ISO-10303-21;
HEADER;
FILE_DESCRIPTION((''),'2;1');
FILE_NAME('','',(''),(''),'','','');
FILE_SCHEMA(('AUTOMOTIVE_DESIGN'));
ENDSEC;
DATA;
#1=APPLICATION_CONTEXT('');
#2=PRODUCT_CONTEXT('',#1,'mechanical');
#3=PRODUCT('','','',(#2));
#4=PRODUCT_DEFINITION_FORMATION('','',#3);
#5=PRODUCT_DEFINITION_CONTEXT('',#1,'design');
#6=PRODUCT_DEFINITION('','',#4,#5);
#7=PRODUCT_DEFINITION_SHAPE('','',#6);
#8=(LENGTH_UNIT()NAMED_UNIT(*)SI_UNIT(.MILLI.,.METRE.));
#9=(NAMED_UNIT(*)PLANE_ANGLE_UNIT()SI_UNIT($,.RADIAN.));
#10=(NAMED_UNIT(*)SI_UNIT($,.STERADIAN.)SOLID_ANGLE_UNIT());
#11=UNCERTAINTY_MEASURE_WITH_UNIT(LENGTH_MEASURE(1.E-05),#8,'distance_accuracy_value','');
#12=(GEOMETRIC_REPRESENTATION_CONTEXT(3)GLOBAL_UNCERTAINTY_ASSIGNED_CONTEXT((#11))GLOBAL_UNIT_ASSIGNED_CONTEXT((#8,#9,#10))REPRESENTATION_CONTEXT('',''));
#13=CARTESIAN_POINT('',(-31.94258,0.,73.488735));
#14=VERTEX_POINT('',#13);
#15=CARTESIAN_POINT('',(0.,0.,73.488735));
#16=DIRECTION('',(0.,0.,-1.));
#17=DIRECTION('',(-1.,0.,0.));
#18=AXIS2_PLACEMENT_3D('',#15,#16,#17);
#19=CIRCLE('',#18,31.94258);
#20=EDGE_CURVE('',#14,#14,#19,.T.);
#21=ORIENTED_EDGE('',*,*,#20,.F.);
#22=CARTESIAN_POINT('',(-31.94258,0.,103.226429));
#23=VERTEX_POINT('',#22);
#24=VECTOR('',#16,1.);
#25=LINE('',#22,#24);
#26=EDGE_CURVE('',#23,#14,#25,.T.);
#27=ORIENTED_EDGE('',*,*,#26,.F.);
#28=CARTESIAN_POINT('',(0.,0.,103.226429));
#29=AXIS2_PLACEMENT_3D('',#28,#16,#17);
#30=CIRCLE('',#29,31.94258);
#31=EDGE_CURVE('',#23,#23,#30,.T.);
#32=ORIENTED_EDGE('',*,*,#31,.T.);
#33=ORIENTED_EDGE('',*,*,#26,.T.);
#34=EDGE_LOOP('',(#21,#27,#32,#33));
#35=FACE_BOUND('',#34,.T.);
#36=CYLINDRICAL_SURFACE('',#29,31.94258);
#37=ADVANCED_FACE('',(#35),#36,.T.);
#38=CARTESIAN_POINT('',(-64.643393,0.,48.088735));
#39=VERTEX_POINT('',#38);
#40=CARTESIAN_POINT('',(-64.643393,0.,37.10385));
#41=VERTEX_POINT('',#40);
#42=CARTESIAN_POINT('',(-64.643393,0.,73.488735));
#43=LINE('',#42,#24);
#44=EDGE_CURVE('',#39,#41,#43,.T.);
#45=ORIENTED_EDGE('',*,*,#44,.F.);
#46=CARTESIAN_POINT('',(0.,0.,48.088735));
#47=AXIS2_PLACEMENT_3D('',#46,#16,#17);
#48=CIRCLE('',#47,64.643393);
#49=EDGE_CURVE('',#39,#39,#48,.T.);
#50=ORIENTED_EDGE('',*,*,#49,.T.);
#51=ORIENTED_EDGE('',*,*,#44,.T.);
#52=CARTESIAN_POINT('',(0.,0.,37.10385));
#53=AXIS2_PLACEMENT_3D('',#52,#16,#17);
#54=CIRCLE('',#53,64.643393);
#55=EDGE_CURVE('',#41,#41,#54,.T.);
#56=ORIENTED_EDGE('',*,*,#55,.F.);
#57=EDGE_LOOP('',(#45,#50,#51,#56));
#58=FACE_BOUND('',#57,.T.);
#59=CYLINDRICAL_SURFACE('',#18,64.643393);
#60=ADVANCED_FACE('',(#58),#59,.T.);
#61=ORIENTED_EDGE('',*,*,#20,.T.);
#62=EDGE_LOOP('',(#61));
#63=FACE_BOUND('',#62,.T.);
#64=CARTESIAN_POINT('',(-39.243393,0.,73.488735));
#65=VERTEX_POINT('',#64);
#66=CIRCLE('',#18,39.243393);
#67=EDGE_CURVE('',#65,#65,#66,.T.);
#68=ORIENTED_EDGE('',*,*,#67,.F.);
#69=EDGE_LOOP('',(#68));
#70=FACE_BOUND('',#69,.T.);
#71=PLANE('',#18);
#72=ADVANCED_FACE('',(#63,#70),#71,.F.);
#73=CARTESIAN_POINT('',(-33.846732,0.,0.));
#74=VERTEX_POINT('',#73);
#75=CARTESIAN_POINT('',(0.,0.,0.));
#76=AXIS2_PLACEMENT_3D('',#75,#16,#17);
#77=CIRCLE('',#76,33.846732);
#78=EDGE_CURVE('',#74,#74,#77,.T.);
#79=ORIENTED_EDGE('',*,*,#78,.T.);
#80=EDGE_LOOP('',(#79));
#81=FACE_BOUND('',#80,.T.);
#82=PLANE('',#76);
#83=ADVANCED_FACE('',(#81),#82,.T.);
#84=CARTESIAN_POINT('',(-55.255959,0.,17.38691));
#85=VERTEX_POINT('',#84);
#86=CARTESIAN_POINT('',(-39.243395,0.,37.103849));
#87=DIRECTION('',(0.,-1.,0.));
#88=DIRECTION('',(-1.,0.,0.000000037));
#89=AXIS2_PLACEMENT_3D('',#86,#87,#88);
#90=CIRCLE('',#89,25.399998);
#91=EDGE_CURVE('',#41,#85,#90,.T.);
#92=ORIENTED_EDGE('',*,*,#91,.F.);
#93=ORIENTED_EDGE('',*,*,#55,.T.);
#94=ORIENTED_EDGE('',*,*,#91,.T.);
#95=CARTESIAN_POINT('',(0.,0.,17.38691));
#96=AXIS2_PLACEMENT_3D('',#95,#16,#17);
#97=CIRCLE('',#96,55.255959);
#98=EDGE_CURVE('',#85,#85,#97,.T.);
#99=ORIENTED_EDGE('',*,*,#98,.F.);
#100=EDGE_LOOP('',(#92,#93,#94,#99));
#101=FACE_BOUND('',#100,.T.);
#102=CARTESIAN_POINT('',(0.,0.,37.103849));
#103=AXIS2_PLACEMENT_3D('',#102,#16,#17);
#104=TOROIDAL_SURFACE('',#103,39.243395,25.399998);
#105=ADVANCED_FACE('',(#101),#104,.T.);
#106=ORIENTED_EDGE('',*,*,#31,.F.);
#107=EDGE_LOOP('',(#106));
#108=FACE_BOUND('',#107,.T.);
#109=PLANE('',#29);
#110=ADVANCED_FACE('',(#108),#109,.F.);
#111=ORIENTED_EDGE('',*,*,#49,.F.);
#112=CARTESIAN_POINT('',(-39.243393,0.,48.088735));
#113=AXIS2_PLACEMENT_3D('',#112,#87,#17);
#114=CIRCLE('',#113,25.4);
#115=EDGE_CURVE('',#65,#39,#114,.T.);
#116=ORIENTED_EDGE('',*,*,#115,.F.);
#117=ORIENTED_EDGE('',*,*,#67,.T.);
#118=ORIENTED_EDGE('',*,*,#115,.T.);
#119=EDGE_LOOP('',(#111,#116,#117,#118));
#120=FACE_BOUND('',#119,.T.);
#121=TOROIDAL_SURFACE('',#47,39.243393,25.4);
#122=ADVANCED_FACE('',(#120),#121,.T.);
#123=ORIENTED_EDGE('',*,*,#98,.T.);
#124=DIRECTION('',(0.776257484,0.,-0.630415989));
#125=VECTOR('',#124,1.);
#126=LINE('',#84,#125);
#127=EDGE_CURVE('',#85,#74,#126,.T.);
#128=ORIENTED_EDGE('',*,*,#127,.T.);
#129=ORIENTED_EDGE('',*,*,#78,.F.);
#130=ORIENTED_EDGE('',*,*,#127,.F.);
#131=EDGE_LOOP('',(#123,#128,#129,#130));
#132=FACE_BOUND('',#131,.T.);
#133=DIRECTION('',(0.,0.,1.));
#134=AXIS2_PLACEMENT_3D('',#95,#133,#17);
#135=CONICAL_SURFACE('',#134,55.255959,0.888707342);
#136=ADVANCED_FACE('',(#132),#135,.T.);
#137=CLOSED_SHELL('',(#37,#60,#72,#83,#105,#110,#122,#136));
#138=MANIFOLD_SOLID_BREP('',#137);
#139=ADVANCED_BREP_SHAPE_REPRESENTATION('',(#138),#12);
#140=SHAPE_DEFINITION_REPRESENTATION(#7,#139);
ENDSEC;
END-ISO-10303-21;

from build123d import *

# Parameters (mm, degrees)
F2_R = 25.4


with BuildPart() as f1:
    # F0 (on Front) → F1 (revolve)
    with BuildSketch(Plane.XZ):
        with BuildLine():
            Line((-33.846732, 0), (0, 0))
            Line((0, 0), (0, 103.226429))
            Line((0, 103.226429), (-31.94258, 103.226429))
            Line((-31.94258, 103.226429), (-31.94258, 73.488735))
            Line((-31.94258, 73.488735), (-64.643393, 73.488735))
            Line((-64.643393, 73.488735), (-64.643393, 37.10385))
            ThreePointArc((-64.643393, 37.10385), (-62.176766, 26.18504), (-55.255959, 17.38691))
            Line((-55.255959, 17.38691), (-33.846732, 0))
        make_face()
    revolve(axis=Axis((0, 0, 51.613214), (0, 0, -1)))

    # F2
    f2_edges = [f1.edges().sort_by_distance(p)[0] for p in [
        (64.643393, 0, 73.488735),
    ]]
    fillet(f2_edges, radius=F2_R)


solid = f1.part
